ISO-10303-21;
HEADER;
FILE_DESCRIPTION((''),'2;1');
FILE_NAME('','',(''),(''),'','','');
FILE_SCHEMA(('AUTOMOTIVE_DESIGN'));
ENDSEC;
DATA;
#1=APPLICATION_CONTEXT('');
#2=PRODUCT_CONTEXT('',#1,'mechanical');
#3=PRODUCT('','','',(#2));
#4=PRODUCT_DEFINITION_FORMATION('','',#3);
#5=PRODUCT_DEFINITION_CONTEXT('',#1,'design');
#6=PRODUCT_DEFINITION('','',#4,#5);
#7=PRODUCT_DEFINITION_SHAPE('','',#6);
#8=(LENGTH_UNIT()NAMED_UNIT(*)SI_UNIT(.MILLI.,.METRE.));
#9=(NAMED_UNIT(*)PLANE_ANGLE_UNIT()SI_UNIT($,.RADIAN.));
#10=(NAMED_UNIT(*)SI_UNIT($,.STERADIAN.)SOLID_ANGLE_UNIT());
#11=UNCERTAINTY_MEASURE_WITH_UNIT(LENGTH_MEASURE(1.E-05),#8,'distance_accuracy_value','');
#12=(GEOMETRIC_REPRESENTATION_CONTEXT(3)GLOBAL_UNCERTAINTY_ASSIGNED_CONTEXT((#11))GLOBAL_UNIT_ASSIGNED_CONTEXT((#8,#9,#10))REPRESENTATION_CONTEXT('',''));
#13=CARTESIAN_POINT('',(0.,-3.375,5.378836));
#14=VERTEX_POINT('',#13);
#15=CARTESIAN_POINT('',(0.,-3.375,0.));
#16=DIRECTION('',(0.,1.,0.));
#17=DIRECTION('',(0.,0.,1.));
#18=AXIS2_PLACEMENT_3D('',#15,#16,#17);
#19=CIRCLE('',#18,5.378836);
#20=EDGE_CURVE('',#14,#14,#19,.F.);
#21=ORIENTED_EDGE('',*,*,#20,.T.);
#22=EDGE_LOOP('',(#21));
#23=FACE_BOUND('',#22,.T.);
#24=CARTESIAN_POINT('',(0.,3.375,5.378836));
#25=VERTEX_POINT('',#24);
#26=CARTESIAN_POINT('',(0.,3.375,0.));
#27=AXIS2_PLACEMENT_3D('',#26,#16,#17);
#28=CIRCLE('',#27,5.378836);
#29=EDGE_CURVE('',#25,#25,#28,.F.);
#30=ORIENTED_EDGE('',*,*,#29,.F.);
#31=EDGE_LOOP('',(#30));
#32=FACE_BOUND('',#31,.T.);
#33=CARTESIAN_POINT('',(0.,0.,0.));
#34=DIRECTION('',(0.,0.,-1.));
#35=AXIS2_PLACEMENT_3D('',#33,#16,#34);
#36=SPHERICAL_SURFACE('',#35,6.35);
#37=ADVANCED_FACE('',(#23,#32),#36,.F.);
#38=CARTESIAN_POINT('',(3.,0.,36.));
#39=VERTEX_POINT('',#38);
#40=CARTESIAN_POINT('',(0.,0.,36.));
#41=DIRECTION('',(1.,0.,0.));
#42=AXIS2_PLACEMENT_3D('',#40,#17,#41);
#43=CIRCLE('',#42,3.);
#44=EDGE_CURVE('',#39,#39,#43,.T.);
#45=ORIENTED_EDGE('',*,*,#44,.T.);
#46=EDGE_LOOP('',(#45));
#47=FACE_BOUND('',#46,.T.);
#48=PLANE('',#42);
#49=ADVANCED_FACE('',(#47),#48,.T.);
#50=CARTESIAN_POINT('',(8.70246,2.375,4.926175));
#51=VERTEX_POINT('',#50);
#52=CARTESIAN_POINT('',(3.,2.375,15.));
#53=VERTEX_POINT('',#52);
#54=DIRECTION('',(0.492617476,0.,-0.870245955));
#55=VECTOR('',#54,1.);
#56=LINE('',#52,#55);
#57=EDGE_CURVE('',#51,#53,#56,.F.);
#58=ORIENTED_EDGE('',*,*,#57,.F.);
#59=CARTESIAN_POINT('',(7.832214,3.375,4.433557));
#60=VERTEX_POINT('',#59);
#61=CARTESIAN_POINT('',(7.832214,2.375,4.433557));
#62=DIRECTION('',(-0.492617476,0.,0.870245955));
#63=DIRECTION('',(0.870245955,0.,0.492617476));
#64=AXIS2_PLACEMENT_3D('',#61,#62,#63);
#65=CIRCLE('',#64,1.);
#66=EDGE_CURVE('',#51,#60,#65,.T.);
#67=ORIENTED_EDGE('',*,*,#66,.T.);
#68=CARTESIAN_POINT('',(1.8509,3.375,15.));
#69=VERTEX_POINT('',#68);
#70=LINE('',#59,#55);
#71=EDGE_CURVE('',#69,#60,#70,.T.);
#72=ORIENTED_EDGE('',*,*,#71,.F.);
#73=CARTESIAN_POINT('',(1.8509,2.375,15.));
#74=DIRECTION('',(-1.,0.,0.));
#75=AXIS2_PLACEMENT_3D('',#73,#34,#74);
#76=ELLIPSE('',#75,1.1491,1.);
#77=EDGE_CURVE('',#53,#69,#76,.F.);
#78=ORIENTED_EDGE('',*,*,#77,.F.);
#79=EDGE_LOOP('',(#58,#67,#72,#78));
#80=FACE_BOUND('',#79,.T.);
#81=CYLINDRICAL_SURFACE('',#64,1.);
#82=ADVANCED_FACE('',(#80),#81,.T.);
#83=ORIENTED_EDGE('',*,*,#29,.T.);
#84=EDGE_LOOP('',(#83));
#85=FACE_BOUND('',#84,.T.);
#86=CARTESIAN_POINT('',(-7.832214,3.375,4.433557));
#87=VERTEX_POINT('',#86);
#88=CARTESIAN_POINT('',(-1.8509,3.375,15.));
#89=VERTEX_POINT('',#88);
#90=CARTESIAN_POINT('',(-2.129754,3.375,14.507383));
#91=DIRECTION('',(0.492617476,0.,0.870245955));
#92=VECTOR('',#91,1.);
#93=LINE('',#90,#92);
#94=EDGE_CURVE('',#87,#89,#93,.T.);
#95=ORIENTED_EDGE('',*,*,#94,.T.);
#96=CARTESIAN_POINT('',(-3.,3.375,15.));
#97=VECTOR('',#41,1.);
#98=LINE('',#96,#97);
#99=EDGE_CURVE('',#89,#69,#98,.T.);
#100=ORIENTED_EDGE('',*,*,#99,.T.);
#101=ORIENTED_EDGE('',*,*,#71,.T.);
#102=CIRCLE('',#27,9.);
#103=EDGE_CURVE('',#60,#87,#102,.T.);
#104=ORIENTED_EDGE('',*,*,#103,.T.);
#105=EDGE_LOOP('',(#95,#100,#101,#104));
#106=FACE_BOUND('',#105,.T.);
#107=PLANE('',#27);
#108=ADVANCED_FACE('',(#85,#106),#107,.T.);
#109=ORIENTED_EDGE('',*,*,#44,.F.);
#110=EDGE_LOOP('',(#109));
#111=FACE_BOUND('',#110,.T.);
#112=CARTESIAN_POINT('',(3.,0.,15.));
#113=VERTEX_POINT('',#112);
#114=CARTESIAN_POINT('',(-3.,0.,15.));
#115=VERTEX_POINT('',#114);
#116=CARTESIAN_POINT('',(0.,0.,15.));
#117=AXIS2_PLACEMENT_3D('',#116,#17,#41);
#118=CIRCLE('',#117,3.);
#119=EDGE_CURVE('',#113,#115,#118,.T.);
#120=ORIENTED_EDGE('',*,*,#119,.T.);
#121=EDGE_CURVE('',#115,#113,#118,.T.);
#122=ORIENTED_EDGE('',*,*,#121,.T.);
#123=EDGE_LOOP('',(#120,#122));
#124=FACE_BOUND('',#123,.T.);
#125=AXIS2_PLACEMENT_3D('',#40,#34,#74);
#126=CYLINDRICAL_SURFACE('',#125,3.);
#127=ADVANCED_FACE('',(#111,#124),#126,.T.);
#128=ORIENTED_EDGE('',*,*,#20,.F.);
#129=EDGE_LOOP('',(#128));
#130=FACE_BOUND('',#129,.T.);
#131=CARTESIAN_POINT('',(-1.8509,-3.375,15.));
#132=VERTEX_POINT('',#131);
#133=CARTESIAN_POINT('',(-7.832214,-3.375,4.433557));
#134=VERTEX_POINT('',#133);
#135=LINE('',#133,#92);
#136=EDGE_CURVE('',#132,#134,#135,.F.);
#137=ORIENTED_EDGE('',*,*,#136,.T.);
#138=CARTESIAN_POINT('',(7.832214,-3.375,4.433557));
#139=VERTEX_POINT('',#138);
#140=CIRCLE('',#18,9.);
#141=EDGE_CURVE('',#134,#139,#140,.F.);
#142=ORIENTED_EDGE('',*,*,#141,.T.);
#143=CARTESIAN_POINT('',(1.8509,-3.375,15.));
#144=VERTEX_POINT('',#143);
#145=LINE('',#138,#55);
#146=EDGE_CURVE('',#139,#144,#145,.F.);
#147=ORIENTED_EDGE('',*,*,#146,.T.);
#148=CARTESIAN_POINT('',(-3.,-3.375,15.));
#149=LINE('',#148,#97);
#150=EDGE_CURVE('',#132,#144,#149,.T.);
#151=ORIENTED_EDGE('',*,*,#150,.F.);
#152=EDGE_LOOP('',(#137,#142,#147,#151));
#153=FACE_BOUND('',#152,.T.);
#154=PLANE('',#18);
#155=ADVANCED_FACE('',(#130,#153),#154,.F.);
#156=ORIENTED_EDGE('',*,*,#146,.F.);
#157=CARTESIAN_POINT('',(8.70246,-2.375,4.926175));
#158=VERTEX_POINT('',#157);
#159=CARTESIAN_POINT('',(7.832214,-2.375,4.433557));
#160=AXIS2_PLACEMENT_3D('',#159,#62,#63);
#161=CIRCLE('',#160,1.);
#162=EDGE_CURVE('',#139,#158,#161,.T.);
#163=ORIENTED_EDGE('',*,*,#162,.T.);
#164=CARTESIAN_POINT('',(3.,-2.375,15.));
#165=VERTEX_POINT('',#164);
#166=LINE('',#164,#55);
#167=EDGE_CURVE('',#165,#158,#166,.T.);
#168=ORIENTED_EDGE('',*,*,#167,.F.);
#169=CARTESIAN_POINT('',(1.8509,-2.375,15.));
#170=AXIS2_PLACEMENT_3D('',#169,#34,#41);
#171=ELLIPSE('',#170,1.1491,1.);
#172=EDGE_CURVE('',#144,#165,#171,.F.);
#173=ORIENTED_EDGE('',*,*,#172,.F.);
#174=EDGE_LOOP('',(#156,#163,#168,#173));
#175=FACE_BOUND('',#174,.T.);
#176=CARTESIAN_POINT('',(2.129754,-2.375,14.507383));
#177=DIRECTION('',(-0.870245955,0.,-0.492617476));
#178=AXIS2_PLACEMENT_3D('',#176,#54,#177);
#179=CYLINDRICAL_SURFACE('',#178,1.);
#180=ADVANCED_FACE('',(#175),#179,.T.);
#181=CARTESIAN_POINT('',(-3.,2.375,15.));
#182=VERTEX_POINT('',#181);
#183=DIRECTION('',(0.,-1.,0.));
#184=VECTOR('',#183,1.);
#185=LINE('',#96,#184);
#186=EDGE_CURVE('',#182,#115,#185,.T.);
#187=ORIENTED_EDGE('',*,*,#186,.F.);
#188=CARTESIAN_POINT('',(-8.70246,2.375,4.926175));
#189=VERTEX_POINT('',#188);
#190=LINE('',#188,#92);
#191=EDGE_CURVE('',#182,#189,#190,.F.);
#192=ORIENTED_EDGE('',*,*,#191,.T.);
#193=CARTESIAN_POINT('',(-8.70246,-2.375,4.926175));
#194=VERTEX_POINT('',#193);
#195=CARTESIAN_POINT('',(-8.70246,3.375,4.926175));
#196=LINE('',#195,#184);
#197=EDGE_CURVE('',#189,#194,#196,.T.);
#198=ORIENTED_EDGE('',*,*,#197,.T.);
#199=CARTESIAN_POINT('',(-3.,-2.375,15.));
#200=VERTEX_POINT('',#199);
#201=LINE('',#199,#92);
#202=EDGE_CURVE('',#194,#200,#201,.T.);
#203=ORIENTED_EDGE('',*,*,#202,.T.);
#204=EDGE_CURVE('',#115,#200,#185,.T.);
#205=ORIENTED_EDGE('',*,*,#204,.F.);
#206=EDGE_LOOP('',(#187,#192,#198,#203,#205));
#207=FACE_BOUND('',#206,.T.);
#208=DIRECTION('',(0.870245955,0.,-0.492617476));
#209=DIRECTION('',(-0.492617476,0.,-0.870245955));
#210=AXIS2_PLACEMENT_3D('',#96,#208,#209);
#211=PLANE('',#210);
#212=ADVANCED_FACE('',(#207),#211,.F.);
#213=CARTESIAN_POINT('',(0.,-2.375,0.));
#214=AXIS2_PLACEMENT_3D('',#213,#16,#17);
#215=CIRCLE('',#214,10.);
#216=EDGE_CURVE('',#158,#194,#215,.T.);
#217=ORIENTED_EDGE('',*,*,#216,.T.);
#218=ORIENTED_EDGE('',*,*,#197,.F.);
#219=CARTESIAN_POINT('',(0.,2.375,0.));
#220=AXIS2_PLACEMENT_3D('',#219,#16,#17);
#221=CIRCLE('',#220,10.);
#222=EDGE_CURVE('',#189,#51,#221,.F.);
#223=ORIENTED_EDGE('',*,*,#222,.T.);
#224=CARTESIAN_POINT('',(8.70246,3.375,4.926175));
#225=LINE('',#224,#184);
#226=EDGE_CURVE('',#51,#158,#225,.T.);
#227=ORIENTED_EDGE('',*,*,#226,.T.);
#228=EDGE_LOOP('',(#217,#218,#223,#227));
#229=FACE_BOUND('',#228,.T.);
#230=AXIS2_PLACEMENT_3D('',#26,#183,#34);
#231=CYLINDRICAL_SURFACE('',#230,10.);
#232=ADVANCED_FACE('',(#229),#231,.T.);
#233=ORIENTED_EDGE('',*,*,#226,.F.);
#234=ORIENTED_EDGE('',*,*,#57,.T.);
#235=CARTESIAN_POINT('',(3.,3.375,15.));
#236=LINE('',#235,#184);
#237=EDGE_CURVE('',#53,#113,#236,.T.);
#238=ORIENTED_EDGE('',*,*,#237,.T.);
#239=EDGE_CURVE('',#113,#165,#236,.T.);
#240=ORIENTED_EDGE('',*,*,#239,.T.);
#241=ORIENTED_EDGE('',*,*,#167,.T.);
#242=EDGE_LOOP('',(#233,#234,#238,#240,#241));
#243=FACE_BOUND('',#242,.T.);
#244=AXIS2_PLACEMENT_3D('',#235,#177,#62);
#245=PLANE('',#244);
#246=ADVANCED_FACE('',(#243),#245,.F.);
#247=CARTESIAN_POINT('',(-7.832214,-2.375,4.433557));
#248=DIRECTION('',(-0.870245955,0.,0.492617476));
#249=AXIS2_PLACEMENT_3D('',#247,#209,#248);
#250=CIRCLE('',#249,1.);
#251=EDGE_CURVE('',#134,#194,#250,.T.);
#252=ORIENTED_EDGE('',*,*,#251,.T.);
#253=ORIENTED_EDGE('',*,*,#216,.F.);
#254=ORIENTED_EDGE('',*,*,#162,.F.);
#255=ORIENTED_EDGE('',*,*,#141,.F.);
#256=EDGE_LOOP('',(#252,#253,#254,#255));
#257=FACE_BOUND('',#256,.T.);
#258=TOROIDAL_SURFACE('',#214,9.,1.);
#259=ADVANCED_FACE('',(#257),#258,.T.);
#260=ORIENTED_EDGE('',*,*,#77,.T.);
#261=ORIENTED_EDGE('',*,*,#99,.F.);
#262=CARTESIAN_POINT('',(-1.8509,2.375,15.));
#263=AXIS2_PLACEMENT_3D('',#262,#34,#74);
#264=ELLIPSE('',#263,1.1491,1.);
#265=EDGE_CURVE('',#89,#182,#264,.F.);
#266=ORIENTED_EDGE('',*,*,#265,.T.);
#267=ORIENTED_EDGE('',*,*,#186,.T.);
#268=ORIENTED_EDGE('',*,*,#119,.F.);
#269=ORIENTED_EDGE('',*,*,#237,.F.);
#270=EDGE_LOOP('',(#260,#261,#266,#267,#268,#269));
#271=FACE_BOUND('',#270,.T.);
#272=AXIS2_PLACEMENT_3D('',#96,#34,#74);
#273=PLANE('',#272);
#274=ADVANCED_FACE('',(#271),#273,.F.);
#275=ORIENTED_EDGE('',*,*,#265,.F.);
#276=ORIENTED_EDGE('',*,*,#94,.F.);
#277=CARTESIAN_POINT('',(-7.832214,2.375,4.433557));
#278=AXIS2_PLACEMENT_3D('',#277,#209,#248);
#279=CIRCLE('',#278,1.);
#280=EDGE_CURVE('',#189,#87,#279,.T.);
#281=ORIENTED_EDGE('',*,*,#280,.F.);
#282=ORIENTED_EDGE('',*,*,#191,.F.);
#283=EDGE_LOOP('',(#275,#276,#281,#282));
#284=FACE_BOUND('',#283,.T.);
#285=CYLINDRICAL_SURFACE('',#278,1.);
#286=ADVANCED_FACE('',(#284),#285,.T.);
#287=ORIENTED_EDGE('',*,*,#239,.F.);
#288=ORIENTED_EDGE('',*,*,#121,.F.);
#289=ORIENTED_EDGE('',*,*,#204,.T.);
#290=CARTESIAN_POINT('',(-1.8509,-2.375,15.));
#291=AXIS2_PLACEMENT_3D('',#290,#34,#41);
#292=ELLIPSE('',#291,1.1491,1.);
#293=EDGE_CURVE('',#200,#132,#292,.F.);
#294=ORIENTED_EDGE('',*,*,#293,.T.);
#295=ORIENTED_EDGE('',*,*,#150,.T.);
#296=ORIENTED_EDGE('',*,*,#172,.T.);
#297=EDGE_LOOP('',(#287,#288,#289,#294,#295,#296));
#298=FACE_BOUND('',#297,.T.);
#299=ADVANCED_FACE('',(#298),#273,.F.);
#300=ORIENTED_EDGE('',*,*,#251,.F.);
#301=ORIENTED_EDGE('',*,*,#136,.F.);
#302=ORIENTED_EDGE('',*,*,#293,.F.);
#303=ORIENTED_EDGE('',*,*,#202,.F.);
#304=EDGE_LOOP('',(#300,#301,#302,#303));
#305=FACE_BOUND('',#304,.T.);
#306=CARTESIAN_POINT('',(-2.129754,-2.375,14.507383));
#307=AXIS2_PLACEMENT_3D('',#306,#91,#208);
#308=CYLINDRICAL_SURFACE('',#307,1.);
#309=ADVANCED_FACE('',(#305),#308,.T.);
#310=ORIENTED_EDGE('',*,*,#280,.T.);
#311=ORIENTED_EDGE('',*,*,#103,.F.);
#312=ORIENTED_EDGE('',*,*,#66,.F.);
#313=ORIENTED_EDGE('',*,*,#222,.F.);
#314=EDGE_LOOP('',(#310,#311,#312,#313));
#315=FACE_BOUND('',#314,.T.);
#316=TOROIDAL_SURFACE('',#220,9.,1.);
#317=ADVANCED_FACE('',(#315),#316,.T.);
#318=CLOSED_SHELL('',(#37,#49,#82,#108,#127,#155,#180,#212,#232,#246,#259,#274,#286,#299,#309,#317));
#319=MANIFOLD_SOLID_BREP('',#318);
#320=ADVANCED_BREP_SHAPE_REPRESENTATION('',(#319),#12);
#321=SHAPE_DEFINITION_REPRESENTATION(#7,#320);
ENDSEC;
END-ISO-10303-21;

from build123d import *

# Parameters (mm, degrees)
EXTRUDE_1_DEPTH = 3.375
FILLET_1_R      = 1
SKETCH_3_R      = 3
EXTRUDE_2_DEPTH = 21


with BuildPart() as part:
    # 草图1 → 凸台-拉伸1 (new body, symmetric)
    with BuildSketch(Plane(origin=(0, 0, 0), x_dir=(1, 0, 0), z_dir=(0, 1, 0))):
        with BuildLine():
            Line((-3, -15), (3, -15))
            Line((3, -15), (8.702459553, -4.926174756))
            ThreePointArc((8.702459553, -4.926174756), (0, 10), (-8.702459553, -4.926174756))
            Line((-8.702459553, -4.926174756), (-3, -15))
        make_face()
    extrude(amount=EXTRUDE_1_DEPTH, both=True)

    # 草图2 → 切除-旋转1 (revolve, cut)
    with BuildSketch(Plane(origin=(0, 0, 0), x_dir=(0, 0, -1), z_dir=(1, 0, 0))):
        with BuildLine():
            Line((0, 6.35), (0, -6.35))
            ThreePointArc((0, -6.35), (6.35, 0), (0, 6.35))
        make_face()
    revolve(axis=Axis((0, 6.35, 0), (0, -1, 0)), mode=Mode.SUBTRACT)

    # 圆角1
    fillet_1_edges = [part.edges().sort_by_distance(p)[0] for p in [
        (5.851229777, 3.375, 9.963087378),
        (0, 3.375, -10),
        (-5.851229777, 3.375, 9.963087378),
        (0, -3.375, -10),
        (5.851229777, -3.375, 9.963087378),
        (-5.851229777, -3.375, 9.963087378),
    ]]
    fillet(fillet_1_edges, radius=FILLET_1_R)

    # 草图3 → 凸台-拉伸2 (add)
    with BuildSketch(Plane.XY.offset(15)):
        Circle(SKETCH_3_R)
    extrude(amount=EXTRUDE_2_DEPTH)


solid = part.part
